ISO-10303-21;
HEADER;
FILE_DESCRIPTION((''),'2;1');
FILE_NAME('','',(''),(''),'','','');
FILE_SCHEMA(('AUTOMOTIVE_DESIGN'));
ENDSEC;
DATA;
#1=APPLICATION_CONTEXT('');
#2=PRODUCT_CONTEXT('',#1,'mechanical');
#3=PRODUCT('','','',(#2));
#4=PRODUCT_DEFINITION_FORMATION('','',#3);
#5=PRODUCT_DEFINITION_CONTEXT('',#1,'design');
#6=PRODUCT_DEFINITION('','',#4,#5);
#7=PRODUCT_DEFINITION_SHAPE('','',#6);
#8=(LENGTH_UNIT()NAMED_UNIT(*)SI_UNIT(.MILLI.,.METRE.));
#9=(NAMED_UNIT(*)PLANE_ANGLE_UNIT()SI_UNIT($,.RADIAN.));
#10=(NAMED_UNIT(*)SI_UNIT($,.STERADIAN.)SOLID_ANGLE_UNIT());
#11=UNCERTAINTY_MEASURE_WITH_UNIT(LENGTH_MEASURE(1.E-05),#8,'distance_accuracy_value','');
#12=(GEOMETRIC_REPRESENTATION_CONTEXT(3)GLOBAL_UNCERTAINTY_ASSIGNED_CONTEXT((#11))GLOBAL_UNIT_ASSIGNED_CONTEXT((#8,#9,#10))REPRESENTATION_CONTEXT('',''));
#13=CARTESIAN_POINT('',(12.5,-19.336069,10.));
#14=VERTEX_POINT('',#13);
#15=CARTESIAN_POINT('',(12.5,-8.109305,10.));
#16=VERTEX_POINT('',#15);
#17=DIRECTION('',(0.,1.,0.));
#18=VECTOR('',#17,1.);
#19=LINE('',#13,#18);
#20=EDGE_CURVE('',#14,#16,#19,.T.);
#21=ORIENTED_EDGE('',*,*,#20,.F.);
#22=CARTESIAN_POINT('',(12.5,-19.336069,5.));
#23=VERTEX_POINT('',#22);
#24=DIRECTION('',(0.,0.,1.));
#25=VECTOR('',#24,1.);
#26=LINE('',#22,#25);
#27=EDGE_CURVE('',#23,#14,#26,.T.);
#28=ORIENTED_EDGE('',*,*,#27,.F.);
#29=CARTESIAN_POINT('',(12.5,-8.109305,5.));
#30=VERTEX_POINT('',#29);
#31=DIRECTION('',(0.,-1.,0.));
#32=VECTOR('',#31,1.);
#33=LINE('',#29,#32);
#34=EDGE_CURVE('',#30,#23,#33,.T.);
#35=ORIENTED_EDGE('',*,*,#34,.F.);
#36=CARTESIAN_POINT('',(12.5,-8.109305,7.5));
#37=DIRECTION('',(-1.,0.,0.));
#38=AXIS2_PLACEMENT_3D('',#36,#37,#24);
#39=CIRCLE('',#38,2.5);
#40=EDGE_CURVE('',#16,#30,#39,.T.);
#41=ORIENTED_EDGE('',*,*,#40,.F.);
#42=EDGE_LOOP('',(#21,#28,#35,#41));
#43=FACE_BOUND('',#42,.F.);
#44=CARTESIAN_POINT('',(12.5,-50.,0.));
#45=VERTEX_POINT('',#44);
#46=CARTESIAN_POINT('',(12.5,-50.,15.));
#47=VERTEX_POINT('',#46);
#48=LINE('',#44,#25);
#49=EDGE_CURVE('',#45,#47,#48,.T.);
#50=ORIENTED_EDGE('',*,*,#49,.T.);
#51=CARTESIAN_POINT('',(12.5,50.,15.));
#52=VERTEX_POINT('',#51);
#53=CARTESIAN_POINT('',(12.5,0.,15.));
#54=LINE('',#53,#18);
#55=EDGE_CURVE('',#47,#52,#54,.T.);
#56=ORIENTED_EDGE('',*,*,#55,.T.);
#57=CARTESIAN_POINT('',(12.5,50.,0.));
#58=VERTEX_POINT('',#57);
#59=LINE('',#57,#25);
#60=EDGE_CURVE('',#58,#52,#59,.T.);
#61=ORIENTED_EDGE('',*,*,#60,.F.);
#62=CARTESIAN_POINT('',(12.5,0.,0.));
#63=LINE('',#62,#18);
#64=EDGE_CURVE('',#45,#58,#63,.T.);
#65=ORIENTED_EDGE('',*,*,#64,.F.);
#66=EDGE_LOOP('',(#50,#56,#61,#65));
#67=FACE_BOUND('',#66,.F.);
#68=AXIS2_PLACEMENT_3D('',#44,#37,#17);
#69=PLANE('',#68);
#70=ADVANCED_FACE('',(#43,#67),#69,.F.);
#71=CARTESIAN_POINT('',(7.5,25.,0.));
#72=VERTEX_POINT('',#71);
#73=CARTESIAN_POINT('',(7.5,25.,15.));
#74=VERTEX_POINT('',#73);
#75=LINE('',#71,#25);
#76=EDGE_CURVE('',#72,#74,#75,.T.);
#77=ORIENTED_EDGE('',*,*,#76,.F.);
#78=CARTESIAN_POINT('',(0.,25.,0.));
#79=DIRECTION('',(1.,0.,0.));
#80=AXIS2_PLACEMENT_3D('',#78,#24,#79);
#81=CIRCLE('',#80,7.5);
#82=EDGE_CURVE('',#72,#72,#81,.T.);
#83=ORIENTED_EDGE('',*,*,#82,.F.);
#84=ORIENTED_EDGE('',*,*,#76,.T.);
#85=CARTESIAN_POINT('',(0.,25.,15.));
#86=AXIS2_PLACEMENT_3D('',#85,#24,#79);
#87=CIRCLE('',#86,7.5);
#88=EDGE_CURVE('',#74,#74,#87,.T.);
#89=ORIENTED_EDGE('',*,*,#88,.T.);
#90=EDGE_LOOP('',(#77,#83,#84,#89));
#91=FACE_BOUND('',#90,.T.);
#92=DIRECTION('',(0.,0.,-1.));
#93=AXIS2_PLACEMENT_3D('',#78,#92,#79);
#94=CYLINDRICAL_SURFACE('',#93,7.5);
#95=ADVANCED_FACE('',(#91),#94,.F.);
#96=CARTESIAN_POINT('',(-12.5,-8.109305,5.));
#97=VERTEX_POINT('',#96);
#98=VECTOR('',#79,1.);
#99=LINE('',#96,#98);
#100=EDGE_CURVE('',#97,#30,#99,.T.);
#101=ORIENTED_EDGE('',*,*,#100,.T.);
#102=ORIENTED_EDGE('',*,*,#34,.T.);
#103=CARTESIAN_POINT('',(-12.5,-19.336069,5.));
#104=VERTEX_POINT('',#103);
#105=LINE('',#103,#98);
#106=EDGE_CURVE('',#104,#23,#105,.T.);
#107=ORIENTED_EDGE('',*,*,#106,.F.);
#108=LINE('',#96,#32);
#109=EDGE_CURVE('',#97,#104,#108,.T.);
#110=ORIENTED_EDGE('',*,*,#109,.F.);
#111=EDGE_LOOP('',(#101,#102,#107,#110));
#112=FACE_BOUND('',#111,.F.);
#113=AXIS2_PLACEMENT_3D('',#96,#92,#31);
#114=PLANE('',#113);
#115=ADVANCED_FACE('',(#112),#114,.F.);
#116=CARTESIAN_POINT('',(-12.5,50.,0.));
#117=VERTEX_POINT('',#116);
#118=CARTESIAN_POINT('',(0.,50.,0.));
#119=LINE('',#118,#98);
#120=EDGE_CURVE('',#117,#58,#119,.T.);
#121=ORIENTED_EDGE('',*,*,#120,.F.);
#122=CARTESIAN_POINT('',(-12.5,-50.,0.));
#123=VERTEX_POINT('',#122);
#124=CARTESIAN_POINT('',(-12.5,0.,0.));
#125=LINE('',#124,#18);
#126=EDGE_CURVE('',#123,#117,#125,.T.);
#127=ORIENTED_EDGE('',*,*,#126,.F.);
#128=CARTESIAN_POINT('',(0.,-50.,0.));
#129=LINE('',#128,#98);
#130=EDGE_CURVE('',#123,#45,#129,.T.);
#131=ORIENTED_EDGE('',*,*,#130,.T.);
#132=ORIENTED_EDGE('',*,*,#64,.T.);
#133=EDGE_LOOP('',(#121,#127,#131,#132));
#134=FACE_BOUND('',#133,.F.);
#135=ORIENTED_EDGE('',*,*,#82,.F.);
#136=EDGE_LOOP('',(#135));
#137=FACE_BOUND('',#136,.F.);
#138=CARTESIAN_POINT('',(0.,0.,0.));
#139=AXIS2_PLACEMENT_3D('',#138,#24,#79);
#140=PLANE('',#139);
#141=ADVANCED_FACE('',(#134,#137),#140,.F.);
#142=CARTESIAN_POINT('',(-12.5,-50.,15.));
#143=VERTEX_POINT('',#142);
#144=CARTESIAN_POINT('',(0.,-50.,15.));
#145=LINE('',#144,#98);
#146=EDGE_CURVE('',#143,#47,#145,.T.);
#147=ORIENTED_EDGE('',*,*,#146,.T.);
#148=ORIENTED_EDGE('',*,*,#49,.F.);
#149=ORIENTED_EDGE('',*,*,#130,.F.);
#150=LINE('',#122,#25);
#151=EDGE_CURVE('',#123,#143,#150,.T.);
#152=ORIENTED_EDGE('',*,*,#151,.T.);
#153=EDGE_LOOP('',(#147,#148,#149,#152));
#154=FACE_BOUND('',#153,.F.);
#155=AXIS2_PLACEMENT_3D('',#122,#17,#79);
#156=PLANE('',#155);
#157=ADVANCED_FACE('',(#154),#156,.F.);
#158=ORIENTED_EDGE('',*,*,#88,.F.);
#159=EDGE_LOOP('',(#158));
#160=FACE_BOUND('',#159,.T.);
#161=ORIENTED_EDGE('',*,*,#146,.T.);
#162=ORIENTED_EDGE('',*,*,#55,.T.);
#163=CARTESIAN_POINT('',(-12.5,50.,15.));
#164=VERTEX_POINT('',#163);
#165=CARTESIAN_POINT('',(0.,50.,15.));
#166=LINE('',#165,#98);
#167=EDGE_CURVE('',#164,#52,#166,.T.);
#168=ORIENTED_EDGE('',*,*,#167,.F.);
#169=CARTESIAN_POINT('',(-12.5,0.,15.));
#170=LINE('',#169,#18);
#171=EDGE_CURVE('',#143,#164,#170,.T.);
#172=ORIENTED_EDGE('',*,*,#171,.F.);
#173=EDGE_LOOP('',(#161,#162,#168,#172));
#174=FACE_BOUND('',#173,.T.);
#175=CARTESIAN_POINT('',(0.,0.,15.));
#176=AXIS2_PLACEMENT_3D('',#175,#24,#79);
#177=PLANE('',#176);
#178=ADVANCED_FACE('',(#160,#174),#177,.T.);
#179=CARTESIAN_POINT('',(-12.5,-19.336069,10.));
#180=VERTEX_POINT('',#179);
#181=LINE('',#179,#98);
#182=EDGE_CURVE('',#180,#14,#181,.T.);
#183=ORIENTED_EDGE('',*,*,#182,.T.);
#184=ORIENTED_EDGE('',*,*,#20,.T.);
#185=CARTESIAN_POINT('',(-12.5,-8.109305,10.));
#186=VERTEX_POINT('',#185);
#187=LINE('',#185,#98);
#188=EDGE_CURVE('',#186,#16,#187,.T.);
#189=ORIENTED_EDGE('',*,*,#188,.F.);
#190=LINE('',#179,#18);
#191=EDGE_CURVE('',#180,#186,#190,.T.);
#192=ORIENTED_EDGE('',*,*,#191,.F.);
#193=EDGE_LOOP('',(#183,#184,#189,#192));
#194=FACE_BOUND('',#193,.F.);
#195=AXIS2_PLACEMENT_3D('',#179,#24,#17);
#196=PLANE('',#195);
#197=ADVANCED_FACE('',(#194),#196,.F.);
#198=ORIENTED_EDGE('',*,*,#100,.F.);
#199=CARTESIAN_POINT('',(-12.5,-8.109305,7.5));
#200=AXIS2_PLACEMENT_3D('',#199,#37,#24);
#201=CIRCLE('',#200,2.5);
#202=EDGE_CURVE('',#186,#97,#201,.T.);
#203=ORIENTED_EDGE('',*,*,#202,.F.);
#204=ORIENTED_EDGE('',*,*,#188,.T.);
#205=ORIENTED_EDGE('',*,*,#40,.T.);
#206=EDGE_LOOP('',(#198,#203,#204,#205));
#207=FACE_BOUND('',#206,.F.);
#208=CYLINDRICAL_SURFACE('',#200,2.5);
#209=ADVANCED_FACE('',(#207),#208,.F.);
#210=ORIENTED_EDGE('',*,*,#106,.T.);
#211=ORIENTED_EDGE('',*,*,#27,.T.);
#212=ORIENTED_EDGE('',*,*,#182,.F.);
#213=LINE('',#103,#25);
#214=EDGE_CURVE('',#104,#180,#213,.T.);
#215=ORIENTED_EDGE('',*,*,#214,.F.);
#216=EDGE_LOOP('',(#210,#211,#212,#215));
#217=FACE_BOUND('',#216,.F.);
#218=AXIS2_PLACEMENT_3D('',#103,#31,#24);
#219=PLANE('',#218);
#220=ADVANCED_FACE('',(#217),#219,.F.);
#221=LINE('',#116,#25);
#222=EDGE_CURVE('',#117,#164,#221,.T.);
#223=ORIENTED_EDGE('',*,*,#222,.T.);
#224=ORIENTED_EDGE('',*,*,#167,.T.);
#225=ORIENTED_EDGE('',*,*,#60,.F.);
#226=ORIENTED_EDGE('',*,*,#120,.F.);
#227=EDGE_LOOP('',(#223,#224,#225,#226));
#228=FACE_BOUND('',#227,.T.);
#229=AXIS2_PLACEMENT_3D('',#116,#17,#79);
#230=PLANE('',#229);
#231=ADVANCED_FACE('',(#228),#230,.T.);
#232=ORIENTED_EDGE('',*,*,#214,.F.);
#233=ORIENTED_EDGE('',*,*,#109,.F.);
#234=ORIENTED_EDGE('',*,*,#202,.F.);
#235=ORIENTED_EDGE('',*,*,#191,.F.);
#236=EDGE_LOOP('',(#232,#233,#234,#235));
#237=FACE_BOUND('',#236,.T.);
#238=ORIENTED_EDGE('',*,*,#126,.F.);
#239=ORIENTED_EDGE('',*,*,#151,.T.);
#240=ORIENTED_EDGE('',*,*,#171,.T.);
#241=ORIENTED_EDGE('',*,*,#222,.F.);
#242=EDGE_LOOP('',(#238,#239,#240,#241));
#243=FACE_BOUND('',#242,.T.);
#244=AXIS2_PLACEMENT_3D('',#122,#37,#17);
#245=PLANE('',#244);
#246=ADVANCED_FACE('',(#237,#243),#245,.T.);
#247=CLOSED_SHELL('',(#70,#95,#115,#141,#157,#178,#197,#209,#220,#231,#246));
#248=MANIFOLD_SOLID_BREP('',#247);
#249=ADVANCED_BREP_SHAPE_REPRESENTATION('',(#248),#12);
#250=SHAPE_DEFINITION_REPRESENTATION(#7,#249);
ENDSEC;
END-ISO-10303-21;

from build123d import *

# Parameters (mm, degrees)
F2_W     = 25
F2_H     = 100
F2_R     = 7.5
F0_DEPTH = 15
F1_DEPTH = 25


with BuildPart() as f0:
    # F2 (on Top) → F0 (new body)
    with BuildSketch(Plane.XY):
        Rectangle(F2_W, F2_H)
        with Locations((0, 25)):
            Circle(F2_R, mode=Mode.SUBTRACT)
    extrude(amount=F0_DEPTH)

    # F3 (on face) → F1 (cut, through all)
    with BuildSketch(Plane(origin=(-12.5, 0, 0), x_dir=(0, -1, 0), z_dir=(-1, 0, 0))):
        with BuildLine():
            Line((8.109305, 5), (19.336069, 5))
            Line((19.336069, 5), (19.336069, 10))
            Line((19.336069, 10), (8.109305, 10))
            ThreePointArc((8.109305, 10), (5.609305, 7.5), (8.109305, 5))
        make_face()
    extrude(amount=-F1_DEPTH, mode=Mode.SUBTRACT)


solid = f0.part
